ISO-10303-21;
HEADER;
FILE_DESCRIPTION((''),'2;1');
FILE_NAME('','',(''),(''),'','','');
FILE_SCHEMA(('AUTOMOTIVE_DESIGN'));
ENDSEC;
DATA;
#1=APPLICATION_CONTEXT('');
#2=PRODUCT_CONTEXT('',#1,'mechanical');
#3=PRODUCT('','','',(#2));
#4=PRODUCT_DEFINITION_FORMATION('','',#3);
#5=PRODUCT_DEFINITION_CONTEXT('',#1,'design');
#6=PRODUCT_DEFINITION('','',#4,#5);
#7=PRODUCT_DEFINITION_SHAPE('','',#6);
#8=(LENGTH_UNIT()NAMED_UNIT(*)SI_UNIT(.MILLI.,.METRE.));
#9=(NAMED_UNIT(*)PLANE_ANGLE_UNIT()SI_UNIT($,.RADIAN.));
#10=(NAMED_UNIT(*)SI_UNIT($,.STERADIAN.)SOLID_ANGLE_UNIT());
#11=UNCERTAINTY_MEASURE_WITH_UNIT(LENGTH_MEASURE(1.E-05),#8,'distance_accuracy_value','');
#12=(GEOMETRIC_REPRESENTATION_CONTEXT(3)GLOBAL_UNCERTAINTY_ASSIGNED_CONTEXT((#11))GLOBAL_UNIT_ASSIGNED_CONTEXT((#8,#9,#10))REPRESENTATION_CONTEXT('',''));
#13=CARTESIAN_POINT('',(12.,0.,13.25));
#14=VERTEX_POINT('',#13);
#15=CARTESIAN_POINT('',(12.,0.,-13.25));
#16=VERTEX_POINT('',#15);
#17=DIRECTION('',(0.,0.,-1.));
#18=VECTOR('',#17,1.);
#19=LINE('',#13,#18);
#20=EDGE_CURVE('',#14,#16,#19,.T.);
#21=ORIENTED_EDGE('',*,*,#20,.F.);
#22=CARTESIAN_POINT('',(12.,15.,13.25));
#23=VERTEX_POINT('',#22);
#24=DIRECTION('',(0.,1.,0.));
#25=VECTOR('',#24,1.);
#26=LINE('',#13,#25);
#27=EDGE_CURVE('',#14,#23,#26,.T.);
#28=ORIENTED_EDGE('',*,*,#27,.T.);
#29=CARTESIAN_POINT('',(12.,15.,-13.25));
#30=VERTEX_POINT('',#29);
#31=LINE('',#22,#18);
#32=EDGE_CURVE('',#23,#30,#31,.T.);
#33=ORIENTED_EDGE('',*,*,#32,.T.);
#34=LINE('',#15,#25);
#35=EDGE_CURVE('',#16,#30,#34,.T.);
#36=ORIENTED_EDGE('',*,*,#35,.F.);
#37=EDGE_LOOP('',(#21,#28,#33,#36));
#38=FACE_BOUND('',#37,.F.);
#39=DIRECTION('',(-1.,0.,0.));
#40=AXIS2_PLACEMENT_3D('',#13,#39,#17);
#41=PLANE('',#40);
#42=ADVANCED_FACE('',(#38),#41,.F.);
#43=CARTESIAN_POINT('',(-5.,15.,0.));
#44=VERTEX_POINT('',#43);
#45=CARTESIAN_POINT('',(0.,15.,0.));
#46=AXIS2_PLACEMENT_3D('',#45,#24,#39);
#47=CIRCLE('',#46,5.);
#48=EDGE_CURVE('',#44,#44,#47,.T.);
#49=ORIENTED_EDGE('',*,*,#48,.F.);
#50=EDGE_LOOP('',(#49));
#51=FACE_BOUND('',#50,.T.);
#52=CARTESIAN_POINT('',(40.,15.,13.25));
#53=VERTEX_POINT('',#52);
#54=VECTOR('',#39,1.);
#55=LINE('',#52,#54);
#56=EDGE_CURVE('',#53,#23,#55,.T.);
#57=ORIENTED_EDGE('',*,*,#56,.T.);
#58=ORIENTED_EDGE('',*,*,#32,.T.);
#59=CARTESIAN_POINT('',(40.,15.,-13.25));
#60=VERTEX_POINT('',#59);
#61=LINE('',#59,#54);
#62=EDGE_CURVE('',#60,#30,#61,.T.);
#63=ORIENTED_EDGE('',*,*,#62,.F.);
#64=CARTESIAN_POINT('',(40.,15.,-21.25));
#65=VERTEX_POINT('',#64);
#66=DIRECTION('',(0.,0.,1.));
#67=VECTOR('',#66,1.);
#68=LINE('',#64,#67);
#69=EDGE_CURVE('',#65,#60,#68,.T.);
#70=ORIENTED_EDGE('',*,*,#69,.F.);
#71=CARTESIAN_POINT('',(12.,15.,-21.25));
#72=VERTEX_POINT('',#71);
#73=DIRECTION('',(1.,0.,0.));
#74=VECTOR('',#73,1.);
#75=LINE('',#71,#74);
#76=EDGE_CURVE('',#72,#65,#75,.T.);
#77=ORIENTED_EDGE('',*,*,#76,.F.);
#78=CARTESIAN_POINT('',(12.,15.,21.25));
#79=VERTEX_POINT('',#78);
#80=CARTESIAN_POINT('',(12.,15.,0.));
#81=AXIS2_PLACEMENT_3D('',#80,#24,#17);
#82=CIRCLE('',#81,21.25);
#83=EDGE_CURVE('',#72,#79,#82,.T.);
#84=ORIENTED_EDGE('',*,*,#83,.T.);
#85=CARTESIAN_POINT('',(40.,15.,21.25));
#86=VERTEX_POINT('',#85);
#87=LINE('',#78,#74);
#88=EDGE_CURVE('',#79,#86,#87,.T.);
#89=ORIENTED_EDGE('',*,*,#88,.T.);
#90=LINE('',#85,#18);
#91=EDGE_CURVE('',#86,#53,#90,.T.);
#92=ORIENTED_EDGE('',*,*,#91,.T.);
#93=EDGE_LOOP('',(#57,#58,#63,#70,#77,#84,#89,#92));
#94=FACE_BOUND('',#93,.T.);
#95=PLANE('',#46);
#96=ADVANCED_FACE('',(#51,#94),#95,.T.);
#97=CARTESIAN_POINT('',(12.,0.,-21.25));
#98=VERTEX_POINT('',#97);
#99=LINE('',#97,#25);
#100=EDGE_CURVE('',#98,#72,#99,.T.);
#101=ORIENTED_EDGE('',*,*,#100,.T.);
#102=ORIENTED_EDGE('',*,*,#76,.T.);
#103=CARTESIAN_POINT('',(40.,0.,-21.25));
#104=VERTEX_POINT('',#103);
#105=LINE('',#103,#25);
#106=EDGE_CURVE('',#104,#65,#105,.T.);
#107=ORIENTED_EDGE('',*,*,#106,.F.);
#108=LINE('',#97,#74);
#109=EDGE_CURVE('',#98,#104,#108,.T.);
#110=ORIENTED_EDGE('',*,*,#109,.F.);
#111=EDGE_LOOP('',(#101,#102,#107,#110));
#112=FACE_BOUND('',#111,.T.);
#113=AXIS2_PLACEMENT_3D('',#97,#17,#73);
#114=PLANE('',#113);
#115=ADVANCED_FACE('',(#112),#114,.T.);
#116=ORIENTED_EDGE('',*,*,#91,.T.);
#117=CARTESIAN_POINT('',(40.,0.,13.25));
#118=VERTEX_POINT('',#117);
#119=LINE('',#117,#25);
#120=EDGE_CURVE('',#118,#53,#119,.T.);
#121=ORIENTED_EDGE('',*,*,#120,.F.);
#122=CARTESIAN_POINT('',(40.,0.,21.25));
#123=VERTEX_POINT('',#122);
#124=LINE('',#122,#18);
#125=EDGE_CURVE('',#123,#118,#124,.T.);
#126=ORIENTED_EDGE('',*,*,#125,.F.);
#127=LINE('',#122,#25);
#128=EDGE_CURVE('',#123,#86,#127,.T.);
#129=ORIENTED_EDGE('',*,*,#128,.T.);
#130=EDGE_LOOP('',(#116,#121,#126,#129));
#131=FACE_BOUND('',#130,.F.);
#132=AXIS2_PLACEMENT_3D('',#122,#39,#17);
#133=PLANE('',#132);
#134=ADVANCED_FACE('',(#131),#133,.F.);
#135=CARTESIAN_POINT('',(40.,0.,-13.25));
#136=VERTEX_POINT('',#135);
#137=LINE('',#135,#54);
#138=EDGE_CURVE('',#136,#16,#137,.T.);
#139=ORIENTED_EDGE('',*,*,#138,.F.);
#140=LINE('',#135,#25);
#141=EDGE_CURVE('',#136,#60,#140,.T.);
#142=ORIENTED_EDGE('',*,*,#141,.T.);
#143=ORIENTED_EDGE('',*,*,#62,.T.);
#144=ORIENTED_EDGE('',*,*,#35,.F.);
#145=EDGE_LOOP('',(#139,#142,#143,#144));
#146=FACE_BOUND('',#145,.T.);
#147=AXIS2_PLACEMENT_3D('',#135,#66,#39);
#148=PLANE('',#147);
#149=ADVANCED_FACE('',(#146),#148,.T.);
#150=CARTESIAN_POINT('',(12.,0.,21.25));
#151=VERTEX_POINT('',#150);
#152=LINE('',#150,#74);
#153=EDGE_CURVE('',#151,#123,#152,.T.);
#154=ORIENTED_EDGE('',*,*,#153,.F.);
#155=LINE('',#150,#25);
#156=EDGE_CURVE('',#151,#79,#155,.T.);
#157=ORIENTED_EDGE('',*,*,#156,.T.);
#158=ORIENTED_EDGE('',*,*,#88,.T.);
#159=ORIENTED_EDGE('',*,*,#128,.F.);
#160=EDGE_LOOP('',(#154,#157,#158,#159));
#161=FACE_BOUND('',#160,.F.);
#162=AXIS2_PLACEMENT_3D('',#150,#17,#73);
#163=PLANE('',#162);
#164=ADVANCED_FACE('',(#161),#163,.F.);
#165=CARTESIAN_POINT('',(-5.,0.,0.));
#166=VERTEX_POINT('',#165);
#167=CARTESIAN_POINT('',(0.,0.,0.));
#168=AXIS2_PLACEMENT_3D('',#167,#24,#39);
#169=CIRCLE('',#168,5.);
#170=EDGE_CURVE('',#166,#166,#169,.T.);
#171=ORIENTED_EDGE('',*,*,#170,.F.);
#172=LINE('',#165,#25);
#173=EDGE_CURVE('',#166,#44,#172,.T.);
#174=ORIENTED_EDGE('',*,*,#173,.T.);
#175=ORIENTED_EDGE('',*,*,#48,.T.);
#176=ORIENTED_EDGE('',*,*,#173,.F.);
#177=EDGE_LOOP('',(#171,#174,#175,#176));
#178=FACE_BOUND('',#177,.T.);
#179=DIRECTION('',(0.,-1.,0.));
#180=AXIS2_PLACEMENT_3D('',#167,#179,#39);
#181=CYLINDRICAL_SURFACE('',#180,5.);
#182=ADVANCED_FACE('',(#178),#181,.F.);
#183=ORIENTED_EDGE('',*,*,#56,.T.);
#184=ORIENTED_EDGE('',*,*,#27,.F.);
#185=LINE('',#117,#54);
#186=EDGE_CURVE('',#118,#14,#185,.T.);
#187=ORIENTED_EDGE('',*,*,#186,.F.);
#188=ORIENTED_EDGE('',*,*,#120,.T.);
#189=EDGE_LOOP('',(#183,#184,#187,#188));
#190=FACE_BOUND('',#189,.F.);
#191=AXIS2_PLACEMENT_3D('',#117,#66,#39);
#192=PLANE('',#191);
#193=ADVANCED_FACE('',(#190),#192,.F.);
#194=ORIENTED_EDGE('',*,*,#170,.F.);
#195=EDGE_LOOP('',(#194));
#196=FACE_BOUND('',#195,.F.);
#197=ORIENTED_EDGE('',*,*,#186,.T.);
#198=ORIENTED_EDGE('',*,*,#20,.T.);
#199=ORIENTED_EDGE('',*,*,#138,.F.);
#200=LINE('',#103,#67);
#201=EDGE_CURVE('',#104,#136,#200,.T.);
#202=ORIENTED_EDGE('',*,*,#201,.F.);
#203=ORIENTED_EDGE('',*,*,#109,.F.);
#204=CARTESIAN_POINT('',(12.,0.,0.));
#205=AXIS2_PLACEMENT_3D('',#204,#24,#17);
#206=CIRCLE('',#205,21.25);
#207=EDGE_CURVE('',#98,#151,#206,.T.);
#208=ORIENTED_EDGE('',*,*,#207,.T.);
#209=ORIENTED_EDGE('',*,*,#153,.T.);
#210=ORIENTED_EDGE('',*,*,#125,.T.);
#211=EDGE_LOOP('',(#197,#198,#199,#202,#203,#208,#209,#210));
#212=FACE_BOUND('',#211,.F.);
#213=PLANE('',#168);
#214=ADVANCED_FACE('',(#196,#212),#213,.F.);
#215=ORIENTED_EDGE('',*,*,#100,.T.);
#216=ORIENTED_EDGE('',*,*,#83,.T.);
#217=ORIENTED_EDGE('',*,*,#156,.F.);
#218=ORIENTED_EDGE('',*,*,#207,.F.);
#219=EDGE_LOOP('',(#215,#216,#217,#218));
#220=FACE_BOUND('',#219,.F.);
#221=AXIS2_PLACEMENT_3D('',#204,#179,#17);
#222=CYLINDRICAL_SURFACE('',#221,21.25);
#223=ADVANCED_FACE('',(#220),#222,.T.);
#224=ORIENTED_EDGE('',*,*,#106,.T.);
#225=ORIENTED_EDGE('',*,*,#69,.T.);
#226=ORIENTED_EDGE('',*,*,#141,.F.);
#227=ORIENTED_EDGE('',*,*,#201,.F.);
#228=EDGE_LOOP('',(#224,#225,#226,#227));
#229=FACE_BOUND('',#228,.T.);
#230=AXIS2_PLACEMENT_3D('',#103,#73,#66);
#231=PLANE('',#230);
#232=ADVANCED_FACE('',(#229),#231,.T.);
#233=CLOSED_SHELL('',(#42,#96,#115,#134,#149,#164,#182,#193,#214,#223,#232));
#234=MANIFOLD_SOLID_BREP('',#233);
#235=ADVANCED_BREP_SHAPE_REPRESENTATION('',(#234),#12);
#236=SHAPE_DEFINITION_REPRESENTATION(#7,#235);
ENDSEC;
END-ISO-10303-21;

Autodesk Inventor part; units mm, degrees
ref_plane "YZ Plane" through (0, 0, 0) normal (1, 0, 0) x (0, 1, 0)
ref_plane "XZ Plane" through (0, 0, 0) normal (0, 1, 0) x (-1, 0, 0)
ref_plane "XY Plane" through (0, 0, 0) normal (0, 0, 1) x (1, 0, 0)
sketch "Sketch1" plane through (0, 0, 0) normal (0, 1, 0) x (-1, 0, 0)
  circle A0 centre (0, 0) radius 5
  line L0 (-12, 13.25) -> (-12, -13.25)
  line L1 (-49.85, 0) -> (19.1, 0) construction
  arc A1 (-12, -21.25) -> (-12, 21.25) centre (-12, 0) ccw
  line L2 (-12, -21.25) -> (-40, -21.25)
  line L3 (-40, -21.25) -> (-40, -13.25)
  line L4 (-40, -13.25) -> (-12, -13.25)
  line L5 (-12, 21.25) -> (-40, 21.25)
  line L6 (-40, 21.25) -> (-40, 13.25)
  line L7 (-40, 13.25) -> (-12, 13.25)
  dimension "d0" = 10
  dimension "d1" = 42.5
  dimension "d2" = 12
  dimension "d3" = 8
  dimension "d4" = 28
  dimension "d5" = 21.25
extrude "Extrusion1" add sketch "Sketch1" along normal blind 15
properties part number "giunto_barra_estrusore"
